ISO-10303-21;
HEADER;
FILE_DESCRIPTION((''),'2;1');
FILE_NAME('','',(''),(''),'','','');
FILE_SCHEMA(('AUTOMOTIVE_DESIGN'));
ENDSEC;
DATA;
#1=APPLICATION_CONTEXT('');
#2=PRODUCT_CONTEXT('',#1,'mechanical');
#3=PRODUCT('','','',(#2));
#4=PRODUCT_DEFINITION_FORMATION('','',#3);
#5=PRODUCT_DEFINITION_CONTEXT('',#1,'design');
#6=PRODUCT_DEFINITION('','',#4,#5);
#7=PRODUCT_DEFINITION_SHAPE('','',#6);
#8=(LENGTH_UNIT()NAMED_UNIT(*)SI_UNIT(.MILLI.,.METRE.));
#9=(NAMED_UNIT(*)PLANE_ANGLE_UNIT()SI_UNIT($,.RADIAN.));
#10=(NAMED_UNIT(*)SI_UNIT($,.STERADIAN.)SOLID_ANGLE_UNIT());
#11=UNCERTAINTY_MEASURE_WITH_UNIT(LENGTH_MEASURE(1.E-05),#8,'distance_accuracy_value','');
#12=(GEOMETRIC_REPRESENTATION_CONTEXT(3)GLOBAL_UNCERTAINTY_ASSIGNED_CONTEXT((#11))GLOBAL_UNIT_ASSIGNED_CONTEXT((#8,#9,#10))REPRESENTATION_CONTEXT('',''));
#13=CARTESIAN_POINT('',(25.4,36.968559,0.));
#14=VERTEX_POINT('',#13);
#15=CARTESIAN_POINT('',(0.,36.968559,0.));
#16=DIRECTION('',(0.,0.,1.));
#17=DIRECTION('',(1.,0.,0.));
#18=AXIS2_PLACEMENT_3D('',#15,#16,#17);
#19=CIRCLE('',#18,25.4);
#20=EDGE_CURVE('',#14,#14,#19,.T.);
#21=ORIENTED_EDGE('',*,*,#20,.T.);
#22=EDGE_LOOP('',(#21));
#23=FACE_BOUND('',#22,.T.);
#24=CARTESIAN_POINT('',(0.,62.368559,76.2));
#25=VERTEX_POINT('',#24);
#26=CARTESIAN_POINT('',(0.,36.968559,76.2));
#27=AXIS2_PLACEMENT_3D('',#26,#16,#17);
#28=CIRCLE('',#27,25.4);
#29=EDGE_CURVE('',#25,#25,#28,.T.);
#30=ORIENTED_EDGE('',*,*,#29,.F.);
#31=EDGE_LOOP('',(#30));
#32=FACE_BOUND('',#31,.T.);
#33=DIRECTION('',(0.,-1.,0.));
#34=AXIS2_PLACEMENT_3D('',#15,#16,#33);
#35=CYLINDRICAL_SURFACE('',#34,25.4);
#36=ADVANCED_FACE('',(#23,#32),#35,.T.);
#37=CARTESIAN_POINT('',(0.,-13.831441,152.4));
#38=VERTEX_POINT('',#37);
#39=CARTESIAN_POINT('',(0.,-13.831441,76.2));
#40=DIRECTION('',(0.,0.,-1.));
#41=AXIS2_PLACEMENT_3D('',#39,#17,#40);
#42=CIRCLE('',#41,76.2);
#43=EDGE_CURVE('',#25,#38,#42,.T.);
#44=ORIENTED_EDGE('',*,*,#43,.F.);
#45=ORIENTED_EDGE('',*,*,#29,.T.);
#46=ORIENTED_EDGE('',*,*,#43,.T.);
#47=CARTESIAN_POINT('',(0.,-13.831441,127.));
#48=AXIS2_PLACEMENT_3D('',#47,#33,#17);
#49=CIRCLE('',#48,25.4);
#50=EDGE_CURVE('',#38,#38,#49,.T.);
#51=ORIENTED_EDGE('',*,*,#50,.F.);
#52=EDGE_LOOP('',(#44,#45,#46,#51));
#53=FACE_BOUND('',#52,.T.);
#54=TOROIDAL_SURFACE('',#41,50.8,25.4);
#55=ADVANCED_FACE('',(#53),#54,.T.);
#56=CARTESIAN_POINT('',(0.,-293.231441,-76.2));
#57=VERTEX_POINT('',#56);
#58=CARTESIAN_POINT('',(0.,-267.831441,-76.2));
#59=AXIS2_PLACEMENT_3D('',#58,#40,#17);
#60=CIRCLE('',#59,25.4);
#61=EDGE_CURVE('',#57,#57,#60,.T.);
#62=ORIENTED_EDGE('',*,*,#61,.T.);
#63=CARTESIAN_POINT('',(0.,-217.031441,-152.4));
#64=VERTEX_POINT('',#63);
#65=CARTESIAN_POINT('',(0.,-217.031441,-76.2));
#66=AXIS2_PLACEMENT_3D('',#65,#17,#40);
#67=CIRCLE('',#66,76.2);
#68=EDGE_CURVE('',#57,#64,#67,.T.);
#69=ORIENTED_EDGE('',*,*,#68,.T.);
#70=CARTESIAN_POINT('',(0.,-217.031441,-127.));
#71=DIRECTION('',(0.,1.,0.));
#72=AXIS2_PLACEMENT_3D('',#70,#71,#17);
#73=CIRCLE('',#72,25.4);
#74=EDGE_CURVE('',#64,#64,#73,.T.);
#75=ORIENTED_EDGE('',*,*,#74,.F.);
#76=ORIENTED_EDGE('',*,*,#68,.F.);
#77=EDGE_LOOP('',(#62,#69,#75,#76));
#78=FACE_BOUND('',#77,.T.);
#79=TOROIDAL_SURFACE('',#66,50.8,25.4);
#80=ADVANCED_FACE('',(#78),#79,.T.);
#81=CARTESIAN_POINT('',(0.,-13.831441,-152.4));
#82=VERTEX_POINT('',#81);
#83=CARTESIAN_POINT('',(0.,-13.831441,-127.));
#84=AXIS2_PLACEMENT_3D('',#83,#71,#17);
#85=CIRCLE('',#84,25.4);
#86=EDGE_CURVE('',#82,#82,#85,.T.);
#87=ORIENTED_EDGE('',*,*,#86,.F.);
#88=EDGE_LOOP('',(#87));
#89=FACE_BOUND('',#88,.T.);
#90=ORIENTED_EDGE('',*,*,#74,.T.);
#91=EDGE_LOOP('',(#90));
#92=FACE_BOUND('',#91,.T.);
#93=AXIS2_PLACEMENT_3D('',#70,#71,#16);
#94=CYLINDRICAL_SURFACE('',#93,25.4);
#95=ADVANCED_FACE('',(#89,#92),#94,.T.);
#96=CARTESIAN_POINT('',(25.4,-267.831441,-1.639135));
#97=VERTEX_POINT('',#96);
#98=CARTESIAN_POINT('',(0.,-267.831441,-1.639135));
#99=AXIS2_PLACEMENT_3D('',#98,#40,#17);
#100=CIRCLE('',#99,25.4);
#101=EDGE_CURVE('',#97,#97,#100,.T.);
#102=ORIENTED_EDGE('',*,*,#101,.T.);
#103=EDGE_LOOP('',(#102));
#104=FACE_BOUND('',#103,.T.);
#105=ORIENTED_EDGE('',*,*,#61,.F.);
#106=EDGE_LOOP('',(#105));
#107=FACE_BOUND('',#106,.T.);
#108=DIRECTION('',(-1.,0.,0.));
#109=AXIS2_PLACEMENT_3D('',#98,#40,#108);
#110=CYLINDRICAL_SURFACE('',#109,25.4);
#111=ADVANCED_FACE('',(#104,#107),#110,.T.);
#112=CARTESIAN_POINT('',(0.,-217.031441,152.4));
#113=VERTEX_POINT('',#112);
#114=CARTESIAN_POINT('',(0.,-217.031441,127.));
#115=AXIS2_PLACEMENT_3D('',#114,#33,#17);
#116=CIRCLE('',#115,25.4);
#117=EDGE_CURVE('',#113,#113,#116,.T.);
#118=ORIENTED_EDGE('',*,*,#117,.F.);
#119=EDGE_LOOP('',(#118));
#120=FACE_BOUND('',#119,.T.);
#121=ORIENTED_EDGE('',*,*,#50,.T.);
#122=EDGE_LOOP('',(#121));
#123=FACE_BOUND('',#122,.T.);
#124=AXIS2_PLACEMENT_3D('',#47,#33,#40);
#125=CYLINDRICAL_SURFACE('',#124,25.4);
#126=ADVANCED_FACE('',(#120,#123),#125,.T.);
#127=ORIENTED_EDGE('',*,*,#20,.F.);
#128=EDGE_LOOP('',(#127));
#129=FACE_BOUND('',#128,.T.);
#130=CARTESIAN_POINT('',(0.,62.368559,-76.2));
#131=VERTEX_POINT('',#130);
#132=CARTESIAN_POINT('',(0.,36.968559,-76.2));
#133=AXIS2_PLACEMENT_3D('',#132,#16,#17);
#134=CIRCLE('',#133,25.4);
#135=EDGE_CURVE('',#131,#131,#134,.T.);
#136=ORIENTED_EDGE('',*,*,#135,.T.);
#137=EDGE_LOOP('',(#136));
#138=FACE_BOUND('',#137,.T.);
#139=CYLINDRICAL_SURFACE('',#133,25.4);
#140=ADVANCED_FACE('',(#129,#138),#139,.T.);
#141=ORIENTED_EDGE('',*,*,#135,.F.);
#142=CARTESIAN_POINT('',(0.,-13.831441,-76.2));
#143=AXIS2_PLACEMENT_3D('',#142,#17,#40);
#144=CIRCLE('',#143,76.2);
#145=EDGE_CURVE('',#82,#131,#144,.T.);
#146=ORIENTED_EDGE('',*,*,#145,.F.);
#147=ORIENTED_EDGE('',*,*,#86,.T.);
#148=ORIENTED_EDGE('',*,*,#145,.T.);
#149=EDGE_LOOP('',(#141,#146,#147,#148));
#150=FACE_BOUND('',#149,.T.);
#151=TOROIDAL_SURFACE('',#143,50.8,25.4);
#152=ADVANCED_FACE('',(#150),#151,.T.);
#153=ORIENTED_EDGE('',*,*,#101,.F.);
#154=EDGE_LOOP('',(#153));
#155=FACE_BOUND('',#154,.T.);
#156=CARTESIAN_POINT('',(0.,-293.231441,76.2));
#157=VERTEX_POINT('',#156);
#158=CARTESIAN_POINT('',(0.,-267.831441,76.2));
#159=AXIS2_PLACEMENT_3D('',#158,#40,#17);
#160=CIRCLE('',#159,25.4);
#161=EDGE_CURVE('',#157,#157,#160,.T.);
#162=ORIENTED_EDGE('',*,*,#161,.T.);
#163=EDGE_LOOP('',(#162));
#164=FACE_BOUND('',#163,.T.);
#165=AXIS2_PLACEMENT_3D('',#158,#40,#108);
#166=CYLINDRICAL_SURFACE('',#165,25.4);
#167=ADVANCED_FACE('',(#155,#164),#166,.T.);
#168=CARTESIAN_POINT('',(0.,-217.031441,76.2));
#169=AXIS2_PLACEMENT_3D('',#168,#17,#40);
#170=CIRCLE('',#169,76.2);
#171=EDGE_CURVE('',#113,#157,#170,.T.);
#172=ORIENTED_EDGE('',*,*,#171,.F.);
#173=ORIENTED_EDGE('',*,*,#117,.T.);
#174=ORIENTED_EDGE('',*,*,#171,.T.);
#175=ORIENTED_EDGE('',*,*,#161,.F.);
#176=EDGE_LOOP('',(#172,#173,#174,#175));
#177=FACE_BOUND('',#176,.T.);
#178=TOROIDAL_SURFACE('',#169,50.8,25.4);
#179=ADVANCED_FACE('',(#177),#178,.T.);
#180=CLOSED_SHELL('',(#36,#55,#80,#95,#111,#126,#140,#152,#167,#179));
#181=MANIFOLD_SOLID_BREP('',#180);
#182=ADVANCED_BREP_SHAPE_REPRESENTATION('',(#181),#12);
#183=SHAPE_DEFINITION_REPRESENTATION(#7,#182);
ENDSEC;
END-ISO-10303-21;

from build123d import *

# Parameters (mm, degrees)
SKETCH1_R = 25.4


with BuildPart() as part:
    # Sweep1: sweep along a curve in space
    with BuildLine() as sweep1_path:
        Line((0, 36.968559092, 0), (0, 36.968559092, -76.2))
        ThreePointArc((0, 36.968559092, -76.2), (0, 22.089583576, -112.121024484), (0, -13.831440908, -127))
        Line((0, -13.831440908, -127), (0, -217.031440908, -127))
        ThreePointArc((0, -217.031440908, -127), (0, -252.952465392, -112.121024484), (0, -267.831440908, -76.2))
        Line((0, -267.831440908, -76.2), (0, -267.831440908, -1.63913495))
        Line((0, -267.831440908, -1.63913495), (0, -267.831440908, 76.2))
        ThreePointArc((0, -267.831440908, 76.2), (0, -252.952465392, 112.121024484), (0, -217.031440908, 127))
        Line((0, -217.031440908, 127), (0, -13.831440908, 127))
        ThreePointArc((0, 36.968559092, 76.2), (0, 22.089583576, 112.121024484), (0, -13.831440908, 127))
        Line((0, 36.968559092, 0), (0, 36.968559092, 76.2))
    # Sketch1 → Sweep1 (sweep)
    with BuildSketch(Plane.XY):
        with Locations((0, 36.968559092)):
            Circle(SKETCH1_R)
    sweep(path=sweep1_path.line)


solid = part.part
